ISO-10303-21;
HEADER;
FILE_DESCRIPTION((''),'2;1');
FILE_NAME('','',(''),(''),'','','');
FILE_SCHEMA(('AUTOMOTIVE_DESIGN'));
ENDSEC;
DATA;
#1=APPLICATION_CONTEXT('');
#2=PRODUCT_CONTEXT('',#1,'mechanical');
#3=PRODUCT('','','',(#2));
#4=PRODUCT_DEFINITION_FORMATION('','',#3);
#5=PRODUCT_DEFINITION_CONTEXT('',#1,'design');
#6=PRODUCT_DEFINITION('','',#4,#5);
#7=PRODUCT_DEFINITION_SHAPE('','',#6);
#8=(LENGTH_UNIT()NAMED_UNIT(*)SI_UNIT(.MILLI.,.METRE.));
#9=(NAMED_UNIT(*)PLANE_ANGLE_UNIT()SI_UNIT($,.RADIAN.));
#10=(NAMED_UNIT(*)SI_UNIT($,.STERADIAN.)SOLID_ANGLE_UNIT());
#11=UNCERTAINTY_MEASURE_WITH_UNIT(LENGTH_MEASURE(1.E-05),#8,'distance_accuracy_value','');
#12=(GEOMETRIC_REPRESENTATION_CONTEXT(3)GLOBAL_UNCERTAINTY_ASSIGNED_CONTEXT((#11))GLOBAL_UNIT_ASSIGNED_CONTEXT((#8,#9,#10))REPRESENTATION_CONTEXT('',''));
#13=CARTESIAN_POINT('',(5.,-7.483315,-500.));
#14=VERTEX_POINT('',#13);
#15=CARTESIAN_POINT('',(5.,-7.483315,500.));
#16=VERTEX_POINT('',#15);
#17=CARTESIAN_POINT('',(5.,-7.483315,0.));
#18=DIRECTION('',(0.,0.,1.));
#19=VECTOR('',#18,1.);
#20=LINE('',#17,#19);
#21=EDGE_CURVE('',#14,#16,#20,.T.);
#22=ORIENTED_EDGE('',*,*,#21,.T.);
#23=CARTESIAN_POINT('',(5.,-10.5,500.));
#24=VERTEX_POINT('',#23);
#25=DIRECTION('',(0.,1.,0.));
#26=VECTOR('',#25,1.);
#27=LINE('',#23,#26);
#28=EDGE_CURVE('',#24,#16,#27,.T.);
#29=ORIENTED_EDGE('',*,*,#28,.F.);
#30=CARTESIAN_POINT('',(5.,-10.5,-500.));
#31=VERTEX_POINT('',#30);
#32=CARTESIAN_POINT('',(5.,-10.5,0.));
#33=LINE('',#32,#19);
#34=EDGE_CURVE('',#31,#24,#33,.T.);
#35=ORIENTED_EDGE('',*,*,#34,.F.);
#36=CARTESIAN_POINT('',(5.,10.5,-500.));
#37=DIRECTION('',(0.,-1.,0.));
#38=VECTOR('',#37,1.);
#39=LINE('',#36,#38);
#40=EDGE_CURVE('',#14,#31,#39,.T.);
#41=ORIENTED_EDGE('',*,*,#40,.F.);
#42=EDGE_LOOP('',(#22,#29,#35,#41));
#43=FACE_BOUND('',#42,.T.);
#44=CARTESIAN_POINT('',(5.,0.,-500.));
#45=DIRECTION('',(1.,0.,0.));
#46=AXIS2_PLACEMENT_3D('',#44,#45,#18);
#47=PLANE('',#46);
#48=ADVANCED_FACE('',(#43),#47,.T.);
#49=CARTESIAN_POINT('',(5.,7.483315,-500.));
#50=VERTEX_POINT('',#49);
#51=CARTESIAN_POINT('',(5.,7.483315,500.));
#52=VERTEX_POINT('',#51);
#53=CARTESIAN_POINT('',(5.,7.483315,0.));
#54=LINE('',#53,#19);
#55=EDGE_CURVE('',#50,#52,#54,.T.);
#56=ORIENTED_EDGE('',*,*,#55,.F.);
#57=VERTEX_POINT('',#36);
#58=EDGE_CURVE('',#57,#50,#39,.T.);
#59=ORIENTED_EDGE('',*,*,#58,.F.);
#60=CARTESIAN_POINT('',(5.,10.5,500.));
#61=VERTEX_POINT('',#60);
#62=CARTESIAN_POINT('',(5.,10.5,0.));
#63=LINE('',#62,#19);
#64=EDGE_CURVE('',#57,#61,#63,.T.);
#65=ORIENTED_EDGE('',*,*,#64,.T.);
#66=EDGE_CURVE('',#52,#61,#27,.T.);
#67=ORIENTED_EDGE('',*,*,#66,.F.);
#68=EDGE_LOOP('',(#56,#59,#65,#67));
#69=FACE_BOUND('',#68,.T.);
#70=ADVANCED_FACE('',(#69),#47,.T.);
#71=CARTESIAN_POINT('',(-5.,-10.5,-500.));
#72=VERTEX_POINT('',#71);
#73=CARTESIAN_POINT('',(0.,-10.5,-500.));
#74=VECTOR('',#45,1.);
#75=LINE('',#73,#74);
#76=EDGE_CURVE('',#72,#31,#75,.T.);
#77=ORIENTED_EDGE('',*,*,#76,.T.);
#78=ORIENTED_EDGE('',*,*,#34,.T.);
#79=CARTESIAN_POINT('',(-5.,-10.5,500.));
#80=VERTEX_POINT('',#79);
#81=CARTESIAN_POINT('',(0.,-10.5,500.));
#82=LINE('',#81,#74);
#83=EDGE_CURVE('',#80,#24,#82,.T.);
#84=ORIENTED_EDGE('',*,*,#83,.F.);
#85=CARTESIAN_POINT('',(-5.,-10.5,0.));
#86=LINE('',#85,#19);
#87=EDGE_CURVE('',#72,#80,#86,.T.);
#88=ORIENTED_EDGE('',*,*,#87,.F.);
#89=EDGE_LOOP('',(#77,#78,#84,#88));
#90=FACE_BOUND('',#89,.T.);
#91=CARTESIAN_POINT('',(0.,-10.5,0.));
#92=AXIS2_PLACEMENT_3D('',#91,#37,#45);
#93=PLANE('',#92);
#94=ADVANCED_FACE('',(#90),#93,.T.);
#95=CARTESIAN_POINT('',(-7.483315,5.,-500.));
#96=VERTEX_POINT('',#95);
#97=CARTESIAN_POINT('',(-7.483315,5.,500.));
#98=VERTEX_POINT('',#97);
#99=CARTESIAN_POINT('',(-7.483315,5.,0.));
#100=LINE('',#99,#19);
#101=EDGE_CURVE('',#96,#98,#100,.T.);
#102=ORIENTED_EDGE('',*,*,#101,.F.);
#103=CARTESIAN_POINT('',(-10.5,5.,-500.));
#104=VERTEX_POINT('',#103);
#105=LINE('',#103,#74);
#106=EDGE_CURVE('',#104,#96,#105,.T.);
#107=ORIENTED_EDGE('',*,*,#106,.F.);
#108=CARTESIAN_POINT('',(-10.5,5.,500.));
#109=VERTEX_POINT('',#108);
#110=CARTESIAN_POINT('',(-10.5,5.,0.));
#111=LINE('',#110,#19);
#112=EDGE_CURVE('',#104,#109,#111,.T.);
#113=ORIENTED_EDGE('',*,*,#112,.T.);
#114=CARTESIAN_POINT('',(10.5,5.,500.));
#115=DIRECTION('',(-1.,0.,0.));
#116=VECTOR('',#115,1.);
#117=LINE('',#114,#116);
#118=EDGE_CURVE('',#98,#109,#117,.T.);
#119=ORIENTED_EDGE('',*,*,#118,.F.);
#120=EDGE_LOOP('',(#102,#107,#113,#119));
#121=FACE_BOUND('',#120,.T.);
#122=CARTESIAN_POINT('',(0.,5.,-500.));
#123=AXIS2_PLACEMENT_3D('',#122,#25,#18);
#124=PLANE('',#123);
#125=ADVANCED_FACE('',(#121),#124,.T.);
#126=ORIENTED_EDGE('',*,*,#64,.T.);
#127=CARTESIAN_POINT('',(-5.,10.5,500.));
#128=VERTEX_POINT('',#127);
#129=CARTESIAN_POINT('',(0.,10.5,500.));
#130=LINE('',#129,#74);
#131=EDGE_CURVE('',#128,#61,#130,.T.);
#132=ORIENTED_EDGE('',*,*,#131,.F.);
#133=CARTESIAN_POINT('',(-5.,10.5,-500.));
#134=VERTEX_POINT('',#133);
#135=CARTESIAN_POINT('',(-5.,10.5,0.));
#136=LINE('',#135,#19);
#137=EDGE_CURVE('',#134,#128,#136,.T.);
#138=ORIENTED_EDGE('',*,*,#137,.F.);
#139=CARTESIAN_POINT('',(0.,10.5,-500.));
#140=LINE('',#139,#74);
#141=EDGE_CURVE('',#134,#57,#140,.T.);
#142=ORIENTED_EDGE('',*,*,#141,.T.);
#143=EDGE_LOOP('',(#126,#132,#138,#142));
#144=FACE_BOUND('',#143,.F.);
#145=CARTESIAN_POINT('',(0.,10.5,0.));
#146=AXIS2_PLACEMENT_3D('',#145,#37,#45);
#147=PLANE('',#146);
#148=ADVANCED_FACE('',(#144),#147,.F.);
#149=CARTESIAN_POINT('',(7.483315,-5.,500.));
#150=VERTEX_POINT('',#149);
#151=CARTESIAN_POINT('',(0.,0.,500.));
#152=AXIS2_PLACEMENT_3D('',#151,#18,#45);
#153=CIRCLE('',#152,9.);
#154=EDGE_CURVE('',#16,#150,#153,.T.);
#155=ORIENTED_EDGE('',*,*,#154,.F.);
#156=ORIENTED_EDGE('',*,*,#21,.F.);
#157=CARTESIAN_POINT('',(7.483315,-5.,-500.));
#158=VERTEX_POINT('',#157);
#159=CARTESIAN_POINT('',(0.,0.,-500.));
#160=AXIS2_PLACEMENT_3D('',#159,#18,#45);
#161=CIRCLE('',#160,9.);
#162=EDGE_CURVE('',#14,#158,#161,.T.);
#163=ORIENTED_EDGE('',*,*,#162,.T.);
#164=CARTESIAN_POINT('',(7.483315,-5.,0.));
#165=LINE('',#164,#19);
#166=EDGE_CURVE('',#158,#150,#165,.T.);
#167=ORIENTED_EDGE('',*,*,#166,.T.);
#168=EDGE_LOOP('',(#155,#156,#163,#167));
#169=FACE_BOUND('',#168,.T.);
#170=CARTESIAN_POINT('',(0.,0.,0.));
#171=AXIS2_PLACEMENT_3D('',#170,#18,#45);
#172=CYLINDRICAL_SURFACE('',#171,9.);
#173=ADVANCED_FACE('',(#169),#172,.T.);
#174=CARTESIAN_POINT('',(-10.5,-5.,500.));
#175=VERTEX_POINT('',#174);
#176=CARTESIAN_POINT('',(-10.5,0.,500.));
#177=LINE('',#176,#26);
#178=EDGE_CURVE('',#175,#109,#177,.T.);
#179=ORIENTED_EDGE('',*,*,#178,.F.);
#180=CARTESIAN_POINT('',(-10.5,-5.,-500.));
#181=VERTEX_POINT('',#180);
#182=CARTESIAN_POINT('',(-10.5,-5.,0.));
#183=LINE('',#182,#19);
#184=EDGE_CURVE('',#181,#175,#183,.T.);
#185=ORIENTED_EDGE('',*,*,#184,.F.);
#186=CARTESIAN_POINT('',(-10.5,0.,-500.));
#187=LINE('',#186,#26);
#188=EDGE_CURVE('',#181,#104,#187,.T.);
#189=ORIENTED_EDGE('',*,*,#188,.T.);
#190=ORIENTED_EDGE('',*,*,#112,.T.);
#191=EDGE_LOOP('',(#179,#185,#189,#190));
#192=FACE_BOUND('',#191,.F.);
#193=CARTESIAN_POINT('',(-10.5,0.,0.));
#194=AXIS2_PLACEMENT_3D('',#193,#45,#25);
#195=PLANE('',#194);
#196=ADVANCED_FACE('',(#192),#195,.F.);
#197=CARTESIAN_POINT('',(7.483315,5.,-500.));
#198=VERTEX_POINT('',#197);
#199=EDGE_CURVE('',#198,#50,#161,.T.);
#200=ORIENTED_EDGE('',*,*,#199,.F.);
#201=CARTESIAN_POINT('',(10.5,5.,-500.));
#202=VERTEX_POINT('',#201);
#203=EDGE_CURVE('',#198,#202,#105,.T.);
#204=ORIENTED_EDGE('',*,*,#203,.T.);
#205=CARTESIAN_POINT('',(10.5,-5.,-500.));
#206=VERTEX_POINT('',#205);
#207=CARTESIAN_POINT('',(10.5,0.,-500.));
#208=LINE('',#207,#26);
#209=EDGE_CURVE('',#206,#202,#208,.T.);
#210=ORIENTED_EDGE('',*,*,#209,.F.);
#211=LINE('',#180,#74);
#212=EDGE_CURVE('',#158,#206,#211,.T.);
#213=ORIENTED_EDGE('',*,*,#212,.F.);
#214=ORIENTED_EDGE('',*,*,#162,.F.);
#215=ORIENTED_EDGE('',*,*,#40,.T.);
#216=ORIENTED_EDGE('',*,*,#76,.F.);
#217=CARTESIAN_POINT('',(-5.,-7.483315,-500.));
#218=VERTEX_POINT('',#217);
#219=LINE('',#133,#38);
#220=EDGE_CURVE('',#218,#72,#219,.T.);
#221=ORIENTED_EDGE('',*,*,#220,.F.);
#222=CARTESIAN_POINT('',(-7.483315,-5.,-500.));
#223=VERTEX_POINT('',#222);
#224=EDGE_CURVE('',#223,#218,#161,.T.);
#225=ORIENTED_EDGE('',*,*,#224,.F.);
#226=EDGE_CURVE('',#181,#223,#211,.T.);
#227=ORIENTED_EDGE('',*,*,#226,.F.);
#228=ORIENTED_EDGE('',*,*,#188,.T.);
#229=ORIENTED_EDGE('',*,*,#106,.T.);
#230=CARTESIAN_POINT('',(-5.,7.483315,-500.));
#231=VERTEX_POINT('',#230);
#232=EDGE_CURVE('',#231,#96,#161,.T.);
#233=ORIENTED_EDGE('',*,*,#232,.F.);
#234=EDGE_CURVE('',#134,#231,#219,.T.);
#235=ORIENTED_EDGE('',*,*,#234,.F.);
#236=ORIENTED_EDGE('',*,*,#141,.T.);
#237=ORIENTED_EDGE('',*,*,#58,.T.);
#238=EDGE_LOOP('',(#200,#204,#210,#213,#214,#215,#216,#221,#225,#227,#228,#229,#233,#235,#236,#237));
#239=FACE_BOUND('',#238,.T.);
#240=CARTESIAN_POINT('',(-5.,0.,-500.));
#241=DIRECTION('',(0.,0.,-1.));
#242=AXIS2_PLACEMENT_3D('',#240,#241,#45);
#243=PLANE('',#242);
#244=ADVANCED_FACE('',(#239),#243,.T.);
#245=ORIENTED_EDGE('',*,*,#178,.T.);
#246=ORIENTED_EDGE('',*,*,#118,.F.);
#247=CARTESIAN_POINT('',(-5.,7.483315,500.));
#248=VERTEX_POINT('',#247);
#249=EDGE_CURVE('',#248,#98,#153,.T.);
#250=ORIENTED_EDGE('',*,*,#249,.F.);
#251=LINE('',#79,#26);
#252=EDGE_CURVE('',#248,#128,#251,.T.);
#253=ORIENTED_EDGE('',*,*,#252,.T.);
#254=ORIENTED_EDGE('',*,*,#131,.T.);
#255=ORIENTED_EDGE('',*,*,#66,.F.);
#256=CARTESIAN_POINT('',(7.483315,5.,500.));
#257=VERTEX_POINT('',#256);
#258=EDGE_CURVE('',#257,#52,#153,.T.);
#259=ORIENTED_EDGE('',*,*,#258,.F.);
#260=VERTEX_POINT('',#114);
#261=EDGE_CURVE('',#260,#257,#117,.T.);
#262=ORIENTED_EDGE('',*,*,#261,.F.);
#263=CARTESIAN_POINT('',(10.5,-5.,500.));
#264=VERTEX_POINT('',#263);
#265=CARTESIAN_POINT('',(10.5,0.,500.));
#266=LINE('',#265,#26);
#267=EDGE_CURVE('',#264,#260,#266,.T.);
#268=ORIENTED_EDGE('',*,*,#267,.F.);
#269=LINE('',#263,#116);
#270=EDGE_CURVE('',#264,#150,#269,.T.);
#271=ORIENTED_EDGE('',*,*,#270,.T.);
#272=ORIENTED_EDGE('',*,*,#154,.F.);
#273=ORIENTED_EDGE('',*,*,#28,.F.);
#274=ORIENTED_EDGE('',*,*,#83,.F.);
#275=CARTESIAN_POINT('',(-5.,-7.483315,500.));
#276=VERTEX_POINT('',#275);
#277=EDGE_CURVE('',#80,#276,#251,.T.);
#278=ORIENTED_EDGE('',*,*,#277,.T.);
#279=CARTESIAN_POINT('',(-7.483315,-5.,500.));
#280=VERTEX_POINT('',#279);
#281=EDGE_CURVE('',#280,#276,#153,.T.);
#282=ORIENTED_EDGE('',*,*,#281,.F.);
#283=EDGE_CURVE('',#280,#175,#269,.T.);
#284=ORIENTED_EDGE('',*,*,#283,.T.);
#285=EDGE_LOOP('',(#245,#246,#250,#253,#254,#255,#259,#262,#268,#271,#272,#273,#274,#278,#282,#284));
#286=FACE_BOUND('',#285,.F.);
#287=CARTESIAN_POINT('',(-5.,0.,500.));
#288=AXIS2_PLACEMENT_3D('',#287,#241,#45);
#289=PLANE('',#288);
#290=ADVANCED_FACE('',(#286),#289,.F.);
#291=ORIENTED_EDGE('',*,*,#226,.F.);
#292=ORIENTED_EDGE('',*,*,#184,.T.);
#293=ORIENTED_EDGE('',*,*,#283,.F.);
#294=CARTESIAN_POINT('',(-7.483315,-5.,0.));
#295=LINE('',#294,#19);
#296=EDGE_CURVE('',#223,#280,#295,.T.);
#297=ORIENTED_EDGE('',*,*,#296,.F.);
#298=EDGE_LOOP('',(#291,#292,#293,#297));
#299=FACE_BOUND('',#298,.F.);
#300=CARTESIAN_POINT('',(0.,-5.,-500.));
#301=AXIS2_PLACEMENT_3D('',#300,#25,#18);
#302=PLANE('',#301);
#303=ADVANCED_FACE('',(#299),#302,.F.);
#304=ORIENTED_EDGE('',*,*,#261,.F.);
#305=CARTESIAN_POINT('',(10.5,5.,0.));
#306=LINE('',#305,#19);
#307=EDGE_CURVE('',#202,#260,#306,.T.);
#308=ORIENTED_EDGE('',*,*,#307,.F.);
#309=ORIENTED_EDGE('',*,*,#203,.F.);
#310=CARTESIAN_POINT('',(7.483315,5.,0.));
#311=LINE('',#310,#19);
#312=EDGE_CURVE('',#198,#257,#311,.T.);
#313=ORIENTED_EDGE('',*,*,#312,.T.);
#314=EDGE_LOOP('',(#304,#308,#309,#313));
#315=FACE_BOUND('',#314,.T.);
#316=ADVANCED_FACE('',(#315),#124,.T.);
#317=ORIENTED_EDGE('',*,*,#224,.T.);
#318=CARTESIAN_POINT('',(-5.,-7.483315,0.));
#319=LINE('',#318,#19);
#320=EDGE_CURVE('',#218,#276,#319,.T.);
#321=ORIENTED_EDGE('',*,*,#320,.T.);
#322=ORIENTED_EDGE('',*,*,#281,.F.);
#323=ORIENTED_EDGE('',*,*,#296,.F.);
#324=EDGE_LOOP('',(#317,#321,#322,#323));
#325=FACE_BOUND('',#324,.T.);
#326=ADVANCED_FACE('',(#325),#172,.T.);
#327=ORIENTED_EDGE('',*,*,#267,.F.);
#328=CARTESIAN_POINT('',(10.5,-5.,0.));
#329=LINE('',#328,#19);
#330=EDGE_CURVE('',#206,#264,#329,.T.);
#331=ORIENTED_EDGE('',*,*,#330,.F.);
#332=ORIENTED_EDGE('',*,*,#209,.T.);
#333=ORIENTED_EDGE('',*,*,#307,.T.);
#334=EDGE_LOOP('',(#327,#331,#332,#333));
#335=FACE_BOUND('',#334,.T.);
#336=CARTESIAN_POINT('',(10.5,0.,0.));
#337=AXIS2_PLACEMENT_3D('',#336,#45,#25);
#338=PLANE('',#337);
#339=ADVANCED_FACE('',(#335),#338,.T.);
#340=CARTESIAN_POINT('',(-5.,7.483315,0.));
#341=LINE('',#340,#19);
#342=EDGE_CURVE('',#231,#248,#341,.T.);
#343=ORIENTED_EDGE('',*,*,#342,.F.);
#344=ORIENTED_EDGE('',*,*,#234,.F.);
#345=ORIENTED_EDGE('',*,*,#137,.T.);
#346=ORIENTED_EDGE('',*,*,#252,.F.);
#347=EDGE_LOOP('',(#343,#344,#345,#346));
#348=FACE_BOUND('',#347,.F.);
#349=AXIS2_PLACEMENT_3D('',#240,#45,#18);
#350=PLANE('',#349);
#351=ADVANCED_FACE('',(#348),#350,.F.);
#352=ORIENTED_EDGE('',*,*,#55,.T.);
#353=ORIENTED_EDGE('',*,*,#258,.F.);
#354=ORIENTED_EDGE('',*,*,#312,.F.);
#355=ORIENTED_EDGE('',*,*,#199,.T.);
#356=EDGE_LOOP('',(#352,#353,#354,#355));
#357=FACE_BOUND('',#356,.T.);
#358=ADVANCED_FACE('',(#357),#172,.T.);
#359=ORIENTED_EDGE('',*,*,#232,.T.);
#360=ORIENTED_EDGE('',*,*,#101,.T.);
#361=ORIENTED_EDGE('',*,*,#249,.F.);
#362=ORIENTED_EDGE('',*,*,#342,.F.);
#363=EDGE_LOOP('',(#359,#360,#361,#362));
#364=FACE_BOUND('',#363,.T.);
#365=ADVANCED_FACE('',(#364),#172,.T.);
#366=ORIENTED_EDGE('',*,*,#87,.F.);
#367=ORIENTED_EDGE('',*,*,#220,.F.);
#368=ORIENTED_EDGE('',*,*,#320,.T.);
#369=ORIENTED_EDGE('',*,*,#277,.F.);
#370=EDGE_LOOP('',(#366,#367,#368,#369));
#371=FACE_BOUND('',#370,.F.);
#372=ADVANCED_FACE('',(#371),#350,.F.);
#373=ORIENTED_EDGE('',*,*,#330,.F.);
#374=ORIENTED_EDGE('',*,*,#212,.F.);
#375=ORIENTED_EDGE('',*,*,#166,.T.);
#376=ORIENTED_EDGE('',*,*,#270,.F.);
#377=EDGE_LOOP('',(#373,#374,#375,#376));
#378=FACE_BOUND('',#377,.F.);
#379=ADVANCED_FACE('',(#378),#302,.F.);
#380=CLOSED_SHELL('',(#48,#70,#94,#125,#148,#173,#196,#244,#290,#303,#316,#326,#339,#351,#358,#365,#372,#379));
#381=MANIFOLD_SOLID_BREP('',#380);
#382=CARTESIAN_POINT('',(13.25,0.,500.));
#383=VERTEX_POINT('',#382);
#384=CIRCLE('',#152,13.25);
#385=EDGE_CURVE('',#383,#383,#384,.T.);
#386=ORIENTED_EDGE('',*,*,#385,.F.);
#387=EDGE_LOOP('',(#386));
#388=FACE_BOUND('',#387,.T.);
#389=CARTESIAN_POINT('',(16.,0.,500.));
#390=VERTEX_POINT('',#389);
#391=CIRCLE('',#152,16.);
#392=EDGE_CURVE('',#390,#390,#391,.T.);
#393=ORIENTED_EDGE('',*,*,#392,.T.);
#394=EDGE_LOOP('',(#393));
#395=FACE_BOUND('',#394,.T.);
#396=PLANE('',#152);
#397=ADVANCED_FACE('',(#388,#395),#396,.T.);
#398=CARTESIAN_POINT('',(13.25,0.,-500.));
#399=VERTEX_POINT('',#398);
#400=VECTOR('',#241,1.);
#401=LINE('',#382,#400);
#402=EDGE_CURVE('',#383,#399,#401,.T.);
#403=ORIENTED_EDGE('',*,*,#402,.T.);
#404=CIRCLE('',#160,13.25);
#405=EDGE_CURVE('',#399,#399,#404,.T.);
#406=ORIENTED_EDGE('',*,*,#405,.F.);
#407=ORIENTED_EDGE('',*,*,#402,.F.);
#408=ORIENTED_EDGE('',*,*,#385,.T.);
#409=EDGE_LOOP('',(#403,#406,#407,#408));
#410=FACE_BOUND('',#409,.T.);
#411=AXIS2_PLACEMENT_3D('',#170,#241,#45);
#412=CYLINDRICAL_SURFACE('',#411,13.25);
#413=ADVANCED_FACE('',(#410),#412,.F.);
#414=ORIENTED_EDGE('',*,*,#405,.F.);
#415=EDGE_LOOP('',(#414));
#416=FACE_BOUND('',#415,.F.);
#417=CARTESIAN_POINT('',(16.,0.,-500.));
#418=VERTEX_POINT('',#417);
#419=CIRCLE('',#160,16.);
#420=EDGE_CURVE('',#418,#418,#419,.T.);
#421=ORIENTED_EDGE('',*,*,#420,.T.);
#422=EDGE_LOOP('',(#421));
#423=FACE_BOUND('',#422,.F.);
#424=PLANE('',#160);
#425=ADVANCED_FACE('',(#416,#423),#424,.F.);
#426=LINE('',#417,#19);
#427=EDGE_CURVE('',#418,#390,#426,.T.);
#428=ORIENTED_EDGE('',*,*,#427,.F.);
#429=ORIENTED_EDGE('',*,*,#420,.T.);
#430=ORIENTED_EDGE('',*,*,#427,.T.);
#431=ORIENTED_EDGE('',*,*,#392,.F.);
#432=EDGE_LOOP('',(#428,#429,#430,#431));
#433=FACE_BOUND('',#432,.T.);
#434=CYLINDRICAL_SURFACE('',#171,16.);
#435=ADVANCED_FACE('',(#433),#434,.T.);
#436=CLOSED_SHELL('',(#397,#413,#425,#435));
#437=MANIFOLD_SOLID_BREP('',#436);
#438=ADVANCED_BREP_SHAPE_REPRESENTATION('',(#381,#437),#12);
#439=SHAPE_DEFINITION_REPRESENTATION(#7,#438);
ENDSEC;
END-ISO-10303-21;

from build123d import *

# Parameters (mm, degrees)
F0_R     = 9
F1_DEPTH = 500
F3_W     = 10
F3_H     = 1000
F4_DEPTH = 10.5
F5_W     = 10
F5_H     = 1000
F6_DEPTH = 10.5
F7_R     = 16
F7_R_2   = 13.25
F8_DEPTH = 500


with BuildPart() as f1:
    # F0 (on Top) → F1 (new body, symmetric)
    with BuildSketch(Plane.XY):
        Circle(F0_R)
    extrude(amount=F1_DEPTH, both=True)

    # F3 (on Right) → F4 (join, symmetric)
    with BuildSketch(Plane.YZ):
        Rectangle(F3_W, F3_H)
    extrude(amount=F4_DEPTH, both=True)

    # F5 (on Front) → F6 (join, symmetric)
    with BuildSketch(Plane.XZ):
        Rectangle(F5_W, F5_H)
    extrude(amount=F6_DEPTH, both=True)


with BuildPart() as f8:
    # F7 (on Top) → F8 (new body, symmetric)
    with BuildSketch(Plane.XY):
        Circle(F7_R)
        Circle(F7_R_2, mode=Mode.SUBTRACT)
    extrude(amount=F8_DEPTH, both=True)


with BuildPart() as f9_1:
    # F9: copy of F1
    add(f1.part.moved(Location((57, 0, 0))))


solid = Compound([f1.part, f8.part])
